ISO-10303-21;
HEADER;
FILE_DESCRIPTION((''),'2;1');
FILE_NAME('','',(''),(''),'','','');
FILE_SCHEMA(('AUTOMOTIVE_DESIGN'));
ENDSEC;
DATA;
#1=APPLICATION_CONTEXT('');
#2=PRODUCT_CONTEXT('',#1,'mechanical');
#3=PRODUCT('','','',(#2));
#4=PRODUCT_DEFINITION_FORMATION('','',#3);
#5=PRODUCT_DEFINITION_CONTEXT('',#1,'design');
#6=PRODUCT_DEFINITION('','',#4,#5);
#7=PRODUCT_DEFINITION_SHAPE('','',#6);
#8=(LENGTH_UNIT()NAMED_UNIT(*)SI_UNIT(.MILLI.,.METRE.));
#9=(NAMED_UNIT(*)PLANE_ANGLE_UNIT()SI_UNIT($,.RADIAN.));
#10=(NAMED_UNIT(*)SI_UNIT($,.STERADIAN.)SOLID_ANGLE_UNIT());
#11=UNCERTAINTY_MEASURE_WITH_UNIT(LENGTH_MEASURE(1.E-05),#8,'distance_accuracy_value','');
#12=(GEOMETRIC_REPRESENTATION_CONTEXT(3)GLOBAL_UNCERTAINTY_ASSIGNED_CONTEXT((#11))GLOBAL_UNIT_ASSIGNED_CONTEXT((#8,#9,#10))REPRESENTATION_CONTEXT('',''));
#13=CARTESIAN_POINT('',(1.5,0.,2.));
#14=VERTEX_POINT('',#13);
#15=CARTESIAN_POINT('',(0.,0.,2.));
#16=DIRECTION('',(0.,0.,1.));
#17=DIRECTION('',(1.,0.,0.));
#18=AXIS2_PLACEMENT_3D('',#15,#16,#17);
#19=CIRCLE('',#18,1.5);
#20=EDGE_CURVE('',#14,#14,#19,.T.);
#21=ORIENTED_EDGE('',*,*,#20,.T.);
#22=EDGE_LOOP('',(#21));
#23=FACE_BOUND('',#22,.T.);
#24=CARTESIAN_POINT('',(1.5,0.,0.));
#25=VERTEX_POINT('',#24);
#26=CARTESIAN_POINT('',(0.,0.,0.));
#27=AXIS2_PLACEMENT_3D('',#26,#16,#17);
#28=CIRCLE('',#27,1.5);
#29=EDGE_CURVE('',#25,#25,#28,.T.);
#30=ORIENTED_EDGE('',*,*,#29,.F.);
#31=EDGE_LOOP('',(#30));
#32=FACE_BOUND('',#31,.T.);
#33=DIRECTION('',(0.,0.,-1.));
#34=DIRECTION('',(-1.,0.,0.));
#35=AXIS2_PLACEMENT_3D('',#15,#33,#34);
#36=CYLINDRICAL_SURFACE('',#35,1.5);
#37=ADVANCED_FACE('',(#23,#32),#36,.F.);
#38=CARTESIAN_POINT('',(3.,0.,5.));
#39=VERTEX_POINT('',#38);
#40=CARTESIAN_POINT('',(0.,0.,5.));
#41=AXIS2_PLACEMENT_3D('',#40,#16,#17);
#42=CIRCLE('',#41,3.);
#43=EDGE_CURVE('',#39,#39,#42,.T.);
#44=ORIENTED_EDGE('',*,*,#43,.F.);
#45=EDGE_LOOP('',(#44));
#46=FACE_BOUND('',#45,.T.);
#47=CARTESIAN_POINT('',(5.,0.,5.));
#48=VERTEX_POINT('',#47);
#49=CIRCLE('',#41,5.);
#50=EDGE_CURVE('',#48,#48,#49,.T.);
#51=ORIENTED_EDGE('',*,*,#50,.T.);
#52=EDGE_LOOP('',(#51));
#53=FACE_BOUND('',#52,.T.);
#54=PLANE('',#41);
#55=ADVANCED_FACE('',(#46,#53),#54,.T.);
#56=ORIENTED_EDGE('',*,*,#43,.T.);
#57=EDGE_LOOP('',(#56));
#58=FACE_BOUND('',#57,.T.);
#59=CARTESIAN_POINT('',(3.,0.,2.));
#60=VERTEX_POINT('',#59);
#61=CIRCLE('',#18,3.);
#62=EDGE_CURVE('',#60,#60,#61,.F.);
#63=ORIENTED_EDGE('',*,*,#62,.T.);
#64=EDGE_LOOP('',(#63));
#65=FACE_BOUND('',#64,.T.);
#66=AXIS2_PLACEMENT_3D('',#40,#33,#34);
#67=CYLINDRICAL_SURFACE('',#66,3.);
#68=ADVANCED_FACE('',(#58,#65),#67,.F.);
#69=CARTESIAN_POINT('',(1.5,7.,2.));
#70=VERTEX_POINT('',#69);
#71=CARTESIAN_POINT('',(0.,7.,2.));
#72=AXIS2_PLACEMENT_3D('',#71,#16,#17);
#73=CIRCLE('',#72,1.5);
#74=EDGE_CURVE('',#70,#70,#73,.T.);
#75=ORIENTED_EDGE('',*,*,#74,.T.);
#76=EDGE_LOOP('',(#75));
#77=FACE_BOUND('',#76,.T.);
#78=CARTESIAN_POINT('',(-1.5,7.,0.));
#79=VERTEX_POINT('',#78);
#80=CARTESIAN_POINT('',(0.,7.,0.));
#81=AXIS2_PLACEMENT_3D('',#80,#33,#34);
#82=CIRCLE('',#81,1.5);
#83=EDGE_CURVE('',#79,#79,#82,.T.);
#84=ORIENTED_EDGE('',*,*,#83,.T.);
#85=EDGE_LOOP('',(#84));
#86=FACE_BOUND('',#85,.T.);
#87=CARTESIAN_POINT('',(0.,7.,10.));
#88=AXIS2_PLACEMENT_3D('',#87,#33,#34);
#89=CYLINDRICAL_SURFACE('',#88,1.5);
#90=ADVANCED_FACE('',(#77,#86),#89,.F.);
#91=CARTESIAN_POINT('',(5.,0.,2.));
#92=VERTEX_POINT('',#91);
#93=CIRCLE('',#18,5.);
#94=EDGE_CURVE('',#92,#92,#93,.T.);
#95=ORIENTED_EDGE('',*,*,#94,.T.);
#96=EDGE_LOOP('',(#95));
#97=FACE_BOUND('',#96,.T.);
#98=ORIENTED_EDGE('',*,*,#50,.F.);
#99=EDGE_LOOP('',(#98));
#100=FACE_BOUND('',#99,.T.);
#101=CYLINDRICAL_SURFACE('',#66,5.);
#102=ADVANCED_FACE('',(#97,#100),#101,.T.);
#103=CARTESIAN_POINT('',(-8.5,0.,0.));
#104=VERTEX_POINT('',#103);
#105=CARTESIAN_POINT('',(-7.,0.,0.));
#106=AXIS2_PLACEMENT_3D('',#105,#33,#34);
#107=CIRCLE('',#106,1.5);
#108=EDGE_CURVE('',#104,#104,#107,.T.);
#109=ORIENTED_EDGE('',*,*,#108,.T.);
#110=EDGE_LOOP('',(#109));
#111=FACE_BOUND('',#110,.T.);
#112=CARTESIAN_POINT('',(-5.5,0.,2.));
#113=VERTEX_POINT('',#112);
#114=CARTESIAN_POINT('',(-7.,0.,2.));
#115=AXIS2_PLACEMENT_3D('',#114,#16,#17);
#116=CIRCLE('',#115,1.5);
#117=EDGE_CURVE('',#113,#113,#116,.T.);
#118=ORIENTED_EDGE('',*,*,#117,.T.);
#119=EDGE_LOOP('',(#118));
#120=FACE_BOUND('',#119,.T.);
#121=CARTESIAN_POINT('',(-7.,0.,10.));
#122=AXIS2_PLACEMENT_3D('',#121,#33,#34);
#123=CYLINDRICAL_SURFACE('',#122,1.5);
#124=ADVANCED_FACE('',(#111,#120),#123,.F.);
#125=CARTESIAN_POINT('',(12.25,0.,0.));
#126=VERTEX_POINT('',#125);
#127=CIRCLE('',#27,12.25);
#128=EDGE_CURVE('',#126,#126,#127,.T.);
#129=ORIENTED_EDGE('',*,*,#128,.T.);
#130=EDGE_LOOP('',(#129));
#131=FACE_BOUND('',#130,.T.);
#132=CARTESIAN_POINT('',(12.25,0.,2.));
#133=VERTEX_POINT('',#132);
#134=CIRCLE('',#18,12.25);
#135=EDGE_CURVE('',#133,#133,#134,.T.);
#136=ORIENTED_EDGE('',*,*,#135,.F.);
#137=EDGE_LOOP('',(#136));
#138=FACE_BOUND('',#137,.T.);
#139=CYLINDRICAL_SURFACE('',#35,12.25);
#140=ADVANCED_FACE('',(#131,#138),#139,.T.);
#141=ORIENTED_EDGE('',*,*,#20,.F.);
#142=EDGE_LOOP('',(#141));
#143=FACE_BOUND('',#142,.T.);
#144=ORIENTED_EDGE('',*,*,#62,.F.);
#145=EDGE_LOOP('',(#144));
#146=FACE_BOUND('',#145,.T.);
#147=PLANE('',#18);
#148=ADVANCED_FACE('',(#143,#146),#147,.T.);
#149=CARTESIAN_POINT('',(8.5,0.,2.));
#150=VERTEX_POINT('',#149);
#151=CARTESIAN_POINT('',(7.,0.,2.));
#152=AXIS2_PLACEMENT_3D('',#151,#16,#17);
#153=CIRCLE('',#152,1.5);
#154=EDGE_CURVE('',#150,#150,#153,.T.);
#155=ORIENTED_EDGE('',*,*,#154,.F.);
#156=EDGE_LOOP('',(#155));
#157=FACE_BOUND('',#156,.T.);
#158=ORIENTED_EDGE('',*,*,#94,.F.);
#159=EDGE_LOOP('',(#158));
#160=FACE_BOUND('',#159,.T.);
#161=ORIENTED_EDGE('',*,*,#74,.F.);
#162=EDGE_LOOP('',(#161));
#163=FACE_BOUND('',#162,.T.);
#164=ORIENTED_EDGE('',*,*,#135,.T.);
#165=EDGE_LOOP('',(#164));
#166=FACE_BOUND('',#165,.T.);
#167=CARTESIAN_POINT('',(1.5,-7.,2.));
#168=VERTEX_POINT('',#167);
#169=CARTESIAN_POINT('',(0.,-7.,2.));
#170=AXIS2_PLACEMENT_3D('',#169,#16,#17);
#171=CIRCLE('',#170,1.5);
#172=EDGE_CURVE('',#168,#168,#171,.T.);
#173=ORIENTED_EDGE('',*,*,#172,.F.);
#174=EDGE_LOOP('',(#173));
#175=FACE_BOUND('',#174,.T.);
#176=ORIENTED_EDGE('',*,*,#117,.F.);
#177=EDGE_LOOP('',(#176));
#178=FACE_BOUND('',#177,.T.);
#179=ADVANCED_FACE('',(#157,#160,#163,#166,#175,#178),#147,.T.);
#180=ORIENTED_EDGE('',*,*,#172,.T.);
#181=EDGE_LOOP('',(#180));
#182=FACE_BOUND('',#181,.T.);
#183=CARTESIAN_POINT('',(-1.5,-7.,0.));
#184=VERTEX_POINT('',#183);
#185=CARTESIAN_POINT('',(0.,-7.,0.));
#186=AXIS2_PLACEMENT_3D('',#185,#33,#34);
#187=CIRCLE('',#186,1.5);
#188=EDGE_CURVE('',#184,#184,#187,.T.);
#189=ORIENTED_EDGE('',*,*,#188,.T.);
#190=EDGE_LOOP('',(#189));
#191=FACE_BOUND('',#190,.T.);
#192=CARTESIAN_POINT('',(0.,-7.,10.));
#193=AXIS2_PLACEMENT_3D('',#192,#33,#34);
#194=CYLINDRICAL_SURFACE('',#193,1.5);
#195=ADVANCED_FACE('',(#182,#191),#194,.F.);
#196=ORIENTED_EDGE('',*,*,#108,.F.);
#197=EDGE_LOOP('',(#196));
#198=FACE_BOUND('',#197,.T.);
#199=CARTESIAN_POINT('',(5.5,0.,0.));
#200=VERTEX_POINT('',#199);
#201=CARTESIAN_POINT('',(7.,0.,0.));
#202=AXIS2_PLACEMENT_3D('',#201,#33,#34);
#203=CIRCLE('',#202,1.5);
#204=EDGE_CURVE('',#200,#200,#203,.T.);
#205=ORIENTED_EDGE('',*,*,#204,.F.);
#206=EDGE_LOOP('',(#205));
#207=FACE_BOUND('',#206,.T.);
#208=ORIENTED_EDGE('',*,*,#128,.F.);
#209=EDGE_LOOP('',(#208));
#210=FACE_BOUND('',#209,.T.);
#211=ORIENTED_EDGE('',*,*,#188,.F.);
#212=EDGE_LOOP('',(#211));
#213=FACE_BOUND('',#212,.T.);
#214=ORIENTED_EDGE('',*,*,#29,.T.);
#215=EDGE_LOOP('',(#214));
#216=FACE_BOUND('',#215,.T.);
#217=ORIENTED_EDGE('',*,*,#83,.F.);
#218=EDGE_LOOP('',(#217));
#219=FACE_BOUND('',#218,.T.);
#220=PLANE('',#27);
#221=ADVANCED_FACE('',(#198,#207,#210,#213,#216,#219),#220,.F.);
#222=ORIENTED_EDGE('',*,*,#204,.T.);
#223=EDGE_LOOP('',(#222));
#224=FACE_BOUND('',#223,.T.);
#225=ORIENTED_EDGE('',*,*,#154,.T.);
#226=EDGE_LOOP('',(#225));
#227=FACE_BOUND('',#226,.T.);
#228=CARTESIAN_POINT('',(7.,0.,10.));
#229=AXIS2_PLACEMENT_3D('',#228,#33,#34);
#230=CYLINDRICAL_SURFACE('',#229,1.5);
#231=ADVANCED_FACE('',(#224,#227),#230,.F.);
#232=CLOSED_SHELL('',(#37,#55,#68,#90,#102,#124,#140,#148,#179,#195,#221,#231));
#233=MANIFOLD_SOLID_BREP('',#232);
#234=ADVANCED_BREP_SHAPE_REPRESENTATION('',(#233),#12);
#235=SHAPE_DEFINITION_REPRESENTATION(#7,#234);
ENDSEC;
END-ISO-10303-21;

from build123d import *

# Parameters (mm, degrees)
SKETCH_1_R          = 12.25
SKETCH_1_R_2        = 1.5
EXTRUDE_1_DEPTH     = 2
SKETCH_2_R          = 5
SKETCH_2_R_2        = 3
EXTRUDE_2_DEPTH     = 3
EXTRUDE_3_DEPTH     = 2
SKETCH_4_R          = 1.5
CUT_EXTRUDE_1_DEPTH = 10
CUT_EXTRUDE_START   = -10
CUT_EXTRUDE_4_DEPTH = 10


with BuildPart() as part:
    # 草图1 → 凸台-拉伸1 (new body)
    with BuildSketch(Plane.XY):
        Circle(SKETCH_1_R)
        Circle(SKETCH_1_R_2, mode=Mode.SUBTRACT)
    extrude(amount=EXTRUDE_1_DEPTH)

    # 草图2 → 凸台-拉伸2 (add)
    with BuildSketch(Plane.XY.offset(2)):
        Circle(SKETCH_2_R)
        Circle(SKETCH_2_R_2, mode=Mode.SUBTRACT)
    extrude(amount=EXTRUDE_2_DEPTH)

    # 草图3 → 凸台-拉伸3 (add)
    with BuildSketch(Plane(origin=(0, 0, 0), x_dir=(-1, 0, 0), z_dir=(0, 0, -1))):
        with BuildLine():
            Line((12.030570384, -2.308219276), (-12.030570384, -2.308219276))
            Line((-12.030570384, -2.308219276), (-4.910436892, -39.418760727))
            ThreePointArc((-4.910436892, -39.418760727), (0, -43.47663041), (4.910436892, -39.418760727))
            Line((4.910436892, -39.418760727), (12.030570384, -2.308219276))
        make_face()
    extrude(amount=-EXTRUDE_3_DEPTH)

    # 草图4 → 切除-拉伸1 (cut)
    with BuildSketch(Plane(origin=(0, 0, 0), x_dir=(-1, 0, 0), z_dir=(0, 0, -1))):
        with Locations((7, 0)):
            Circle(SKETCH_4_R)
        with Locations((0, -7)):
            Circle(SKETCH_4_R)
        with Locations((-7, 0)):
            Circle(SKETCH_4_R)
        with Locations((0, 7)):
            Circle(SKETCH_4_R)
    extrude(amount=-CUT_EXTRUDE_1_DEPTH, mode=Mode.SUBTRACT)

    # 草图6 → 切除-拉伸4 (cut)
    with BuildSketch(Plane.XY.offset(2).offset(CUT_EXTRUDE_START)):
        with BuildLine():
            ThreePointArc((12.25, 0), (0, -12.25), (-12.25, 0))
            Line((-12.25, 0), (-14.856850111, -46.424662629))
            Line((-14.856850111, -46.424662629), (15.079980512, -43.09327684))
            Line((15.079980512, -43.09327684), (12.25, 0))
        make_face()
    extrude(amount=CUT_EXTRUDE_4_DEPTH, mode=Mode.SUBTRACT)


solid = part.part
